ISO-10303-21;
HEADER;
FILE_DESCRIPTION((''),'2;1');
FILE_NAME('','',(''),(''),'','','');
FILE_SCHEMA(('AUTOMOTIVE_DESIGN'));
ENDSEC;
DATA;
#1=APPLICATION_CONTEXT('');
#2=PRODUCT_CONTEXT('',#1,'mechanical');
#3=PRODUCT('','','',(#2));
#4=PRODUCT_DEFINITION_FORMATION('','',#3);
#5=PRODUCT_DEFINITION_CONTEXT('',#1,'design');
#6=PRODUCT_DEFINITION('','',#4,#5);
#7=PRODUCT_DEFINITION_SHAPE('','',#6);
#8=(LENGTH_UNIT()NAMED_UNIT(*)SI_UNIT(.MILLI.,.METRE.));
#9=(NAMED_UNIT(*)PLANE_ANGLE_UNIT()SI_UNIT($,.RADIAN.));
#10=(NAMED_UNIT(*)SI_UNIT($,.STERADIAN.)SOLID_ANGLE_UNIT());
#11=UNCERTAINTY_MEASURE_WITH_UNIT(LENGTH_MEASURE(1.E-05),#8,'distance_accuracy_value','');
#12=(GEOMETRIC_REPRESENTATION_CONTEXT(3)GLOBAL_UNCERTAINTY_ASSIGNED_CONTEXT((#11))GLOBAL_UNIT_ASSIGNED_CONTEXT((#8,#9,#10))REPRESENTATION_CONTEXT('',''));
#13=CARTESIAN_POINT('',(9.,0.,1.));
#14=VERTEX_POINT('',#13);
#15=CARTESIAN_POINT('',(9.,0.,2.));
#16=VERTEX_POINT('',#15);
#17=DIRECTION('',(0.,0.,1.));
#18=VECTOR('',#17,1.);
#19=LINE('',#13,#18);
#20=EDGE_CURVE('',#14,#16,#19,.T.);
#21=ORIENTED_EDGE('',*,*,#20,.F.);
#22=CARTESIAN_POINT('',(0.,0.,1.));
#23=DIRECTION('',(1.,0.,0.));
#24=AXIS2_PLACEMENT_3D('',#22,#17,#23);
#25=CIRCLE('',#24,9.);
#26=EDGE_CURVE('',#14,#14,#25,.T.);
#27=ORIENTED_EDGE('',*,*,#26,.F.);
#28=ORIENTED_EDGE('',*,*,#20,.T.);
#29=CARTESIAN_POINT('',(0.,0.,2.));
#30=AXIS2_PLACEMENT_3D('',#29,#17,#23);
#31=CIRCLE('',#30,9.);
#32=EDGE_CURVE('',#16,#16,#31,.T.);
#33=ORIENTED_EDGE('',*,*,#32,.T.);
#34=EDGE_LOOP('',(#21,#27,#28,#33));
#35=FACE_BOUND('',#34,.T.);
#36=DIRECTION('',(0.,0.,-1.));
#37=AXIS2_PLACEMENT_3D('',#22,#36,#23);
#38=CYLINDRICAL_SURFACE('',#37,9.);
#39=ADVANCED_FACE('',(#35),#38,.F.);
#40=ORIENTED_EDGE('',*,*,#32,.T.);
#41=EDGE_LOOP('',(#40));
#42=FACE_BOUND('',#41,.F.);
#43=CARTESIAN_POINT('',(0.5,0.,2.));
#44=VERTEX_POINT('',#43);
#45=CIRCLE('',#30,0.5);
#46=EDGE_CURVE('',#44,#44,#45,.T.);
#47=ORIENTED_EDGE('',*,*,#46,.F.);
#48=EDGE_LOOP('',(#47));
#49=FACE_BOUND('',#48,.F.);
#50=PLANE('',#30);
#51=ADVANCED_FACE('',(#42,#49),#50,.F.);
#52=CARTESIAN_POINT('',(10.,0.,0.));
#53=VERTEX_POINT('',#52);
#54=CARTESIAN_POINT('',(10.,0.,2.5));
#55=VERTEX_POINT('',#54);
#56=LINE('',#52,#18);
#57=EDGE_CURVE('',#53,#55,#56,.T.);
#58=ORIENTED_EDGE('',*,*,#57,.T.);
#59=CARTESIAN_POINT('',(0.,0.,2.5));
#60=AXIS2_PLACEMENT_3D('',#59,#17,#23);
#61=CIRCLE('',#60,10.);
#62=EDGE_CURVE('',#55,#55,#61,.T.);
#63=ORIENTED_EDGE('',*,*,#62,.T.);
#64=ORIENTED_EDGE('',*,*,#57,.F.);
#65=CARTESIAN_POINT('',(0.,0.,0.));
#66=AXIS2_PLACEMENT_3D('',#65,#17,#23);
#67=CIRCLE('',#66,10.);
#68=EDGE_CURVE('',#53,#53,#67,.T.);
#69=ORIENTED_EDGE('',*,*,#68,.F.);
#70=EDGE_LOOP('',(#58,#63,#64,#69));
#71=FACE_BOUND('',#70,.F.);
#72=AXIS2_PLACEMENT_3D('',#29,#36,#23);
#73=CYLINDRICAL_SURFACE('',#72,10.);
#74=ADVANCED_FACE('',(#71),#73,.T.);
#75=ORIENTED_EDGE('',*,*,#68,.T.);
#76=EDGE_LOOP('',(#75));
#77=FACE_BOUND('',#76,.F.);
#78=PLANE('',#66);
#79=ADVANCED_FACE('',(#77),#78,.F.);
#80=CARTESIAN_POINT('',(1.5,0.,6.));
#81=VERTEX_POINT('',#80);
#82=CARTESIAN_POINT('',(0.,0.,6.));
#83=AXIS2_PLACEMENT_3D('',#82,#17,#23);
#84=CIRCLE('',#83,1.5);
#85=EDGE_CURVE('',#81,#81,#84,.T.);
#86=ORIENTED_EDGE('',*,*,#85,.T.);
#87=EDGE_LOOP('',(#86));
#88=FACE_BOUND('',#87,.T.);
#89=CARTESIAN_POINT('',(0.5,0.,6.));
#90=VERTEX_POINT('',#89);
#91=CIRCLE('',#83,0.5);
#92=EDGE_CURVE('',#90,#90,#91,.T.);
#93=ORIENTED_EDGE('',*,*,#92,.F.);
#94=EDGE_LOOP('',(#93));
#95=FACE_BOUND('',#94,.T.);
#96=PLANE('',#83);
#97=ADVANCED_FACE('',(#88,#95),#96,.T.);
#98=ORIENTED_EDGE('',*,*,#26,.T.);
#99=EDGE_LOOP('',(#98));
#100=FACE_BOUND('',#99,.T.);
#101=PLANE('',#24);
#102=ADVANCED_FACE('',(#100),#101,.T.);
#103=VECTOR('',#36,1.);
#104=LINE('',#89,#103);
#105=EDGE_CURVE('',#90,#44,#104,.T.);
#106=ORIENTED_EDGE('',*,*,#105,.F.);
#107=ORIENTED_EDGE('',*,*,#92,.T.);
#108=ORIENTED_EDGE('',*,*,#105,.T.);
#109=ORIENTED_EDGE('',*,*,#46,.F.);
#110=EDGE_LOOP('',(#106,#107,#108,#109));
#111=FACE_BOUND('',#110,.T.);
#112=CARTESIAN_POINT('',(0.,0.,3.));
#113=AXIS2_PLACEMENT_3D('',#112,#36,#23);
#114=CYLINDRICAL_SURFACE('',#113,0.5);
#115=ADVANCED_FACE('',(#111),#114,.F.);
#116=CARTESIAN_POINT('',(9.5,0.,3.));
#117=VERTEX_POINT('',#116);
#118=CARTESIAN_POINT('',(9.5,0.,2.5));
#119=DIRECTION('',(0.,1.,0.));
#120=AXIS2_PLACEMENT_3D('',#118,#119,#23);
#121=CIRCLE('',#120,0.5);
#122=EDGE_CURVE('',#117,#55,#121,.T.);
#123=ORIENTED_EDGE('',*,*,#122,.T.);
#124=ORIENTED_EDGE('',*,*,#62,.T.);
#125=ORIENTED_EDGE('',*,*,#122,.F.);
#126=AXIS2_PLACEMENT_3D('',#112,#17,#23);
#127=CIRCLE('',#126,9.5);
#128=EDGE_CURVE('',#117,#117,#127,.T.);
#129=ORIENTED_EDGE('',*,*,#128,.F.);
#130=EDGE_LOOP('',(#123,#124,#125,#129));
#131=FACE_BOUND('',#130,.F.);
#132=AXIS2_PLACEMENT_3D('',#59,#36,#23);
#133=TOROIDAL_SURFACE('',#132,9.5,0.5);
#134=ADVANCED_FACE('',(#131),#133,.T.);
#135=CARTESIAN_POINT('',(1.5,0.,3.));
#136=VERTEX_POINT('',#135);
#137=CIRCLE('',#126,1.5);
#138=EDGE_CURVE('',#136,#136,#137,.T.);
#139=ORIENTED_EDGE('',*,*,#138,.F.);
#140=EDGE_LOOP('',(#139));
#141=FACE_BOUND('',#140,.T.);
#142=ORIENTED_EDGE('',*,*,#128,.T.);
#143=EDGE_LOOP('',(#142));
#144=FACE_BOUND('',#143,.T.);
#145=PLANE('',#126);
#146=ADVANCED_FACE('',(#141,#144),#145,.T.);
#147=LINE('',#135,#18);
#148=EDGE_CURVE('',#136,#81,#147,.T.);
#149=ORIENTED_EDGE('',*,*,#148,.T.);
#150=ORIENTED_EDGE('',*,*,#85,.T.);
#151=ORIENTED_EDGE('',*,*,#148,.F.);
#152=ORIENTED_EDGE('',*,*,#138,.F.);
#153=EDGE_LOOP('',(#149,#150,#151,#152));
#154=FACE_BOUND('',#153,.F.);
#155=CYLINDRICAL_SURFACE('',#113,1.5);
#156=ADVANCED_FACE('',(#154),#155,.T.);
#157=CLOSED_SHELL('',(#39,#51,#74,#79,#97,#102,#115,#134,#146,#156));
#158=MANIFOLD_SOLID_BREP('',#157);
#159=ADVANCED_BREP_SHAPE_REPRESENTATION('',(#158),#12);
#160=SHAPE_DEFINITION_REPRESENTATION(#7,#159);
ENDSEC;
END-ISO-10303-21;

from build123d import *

# Parameters (mm, degrees)
F0_R     = 10
F1_DEPTH = 1
F2_R     = 10
F2_R_2   = 9
F3_DEPTH = 1
F4_R     = 10
F4_R_2   = 0.5
F5_DEPTH = 1
F6_R     = 1.5
F6_R_2   = 0.5
F7_DEPTH = 3
F8_R     = 0.5


with BuildPart() as f1:
    # F0 (on Top) → F1 (new body)
    with BuildSketch(Plane.XY):
        Circle(F0_R)
    extrude(amount=F1_DEPTH)

    # F2 (on face) → F3 (join)
    with BuildSketch(Plane.XY.offset(1)):
        Circle(F2_R)
        Circle(F2_R_2, mode=Mode.SUBTRACT)
    extrude(amount=F3_DEPTH)

    # F4 (on face) → F5 (join)
    with BuildSketch(Plane.XY.offset(2)):
        Circle(F4_R)
        Circle(F4_R_2, mode=Mode.SUBTRACT)
    extrude(amount=F5_DEPTH)

    # F6 (on face) → F7 (join)
    with BuildSketch(Plane.XY.offset(3)):
        Circle(F6_R)
        Circle(F6_R_2, mode=Mode.SUBTRACT)
    extrude(amount=F7_DEPTH)

    # F8
    f8_edges = [f1.edges().sort_by_distance(p)[0] for p in [
        (-10, 0, 3),
    ]]
    fillet(f8_edges, radius=F8_R)


solid = f1.part
